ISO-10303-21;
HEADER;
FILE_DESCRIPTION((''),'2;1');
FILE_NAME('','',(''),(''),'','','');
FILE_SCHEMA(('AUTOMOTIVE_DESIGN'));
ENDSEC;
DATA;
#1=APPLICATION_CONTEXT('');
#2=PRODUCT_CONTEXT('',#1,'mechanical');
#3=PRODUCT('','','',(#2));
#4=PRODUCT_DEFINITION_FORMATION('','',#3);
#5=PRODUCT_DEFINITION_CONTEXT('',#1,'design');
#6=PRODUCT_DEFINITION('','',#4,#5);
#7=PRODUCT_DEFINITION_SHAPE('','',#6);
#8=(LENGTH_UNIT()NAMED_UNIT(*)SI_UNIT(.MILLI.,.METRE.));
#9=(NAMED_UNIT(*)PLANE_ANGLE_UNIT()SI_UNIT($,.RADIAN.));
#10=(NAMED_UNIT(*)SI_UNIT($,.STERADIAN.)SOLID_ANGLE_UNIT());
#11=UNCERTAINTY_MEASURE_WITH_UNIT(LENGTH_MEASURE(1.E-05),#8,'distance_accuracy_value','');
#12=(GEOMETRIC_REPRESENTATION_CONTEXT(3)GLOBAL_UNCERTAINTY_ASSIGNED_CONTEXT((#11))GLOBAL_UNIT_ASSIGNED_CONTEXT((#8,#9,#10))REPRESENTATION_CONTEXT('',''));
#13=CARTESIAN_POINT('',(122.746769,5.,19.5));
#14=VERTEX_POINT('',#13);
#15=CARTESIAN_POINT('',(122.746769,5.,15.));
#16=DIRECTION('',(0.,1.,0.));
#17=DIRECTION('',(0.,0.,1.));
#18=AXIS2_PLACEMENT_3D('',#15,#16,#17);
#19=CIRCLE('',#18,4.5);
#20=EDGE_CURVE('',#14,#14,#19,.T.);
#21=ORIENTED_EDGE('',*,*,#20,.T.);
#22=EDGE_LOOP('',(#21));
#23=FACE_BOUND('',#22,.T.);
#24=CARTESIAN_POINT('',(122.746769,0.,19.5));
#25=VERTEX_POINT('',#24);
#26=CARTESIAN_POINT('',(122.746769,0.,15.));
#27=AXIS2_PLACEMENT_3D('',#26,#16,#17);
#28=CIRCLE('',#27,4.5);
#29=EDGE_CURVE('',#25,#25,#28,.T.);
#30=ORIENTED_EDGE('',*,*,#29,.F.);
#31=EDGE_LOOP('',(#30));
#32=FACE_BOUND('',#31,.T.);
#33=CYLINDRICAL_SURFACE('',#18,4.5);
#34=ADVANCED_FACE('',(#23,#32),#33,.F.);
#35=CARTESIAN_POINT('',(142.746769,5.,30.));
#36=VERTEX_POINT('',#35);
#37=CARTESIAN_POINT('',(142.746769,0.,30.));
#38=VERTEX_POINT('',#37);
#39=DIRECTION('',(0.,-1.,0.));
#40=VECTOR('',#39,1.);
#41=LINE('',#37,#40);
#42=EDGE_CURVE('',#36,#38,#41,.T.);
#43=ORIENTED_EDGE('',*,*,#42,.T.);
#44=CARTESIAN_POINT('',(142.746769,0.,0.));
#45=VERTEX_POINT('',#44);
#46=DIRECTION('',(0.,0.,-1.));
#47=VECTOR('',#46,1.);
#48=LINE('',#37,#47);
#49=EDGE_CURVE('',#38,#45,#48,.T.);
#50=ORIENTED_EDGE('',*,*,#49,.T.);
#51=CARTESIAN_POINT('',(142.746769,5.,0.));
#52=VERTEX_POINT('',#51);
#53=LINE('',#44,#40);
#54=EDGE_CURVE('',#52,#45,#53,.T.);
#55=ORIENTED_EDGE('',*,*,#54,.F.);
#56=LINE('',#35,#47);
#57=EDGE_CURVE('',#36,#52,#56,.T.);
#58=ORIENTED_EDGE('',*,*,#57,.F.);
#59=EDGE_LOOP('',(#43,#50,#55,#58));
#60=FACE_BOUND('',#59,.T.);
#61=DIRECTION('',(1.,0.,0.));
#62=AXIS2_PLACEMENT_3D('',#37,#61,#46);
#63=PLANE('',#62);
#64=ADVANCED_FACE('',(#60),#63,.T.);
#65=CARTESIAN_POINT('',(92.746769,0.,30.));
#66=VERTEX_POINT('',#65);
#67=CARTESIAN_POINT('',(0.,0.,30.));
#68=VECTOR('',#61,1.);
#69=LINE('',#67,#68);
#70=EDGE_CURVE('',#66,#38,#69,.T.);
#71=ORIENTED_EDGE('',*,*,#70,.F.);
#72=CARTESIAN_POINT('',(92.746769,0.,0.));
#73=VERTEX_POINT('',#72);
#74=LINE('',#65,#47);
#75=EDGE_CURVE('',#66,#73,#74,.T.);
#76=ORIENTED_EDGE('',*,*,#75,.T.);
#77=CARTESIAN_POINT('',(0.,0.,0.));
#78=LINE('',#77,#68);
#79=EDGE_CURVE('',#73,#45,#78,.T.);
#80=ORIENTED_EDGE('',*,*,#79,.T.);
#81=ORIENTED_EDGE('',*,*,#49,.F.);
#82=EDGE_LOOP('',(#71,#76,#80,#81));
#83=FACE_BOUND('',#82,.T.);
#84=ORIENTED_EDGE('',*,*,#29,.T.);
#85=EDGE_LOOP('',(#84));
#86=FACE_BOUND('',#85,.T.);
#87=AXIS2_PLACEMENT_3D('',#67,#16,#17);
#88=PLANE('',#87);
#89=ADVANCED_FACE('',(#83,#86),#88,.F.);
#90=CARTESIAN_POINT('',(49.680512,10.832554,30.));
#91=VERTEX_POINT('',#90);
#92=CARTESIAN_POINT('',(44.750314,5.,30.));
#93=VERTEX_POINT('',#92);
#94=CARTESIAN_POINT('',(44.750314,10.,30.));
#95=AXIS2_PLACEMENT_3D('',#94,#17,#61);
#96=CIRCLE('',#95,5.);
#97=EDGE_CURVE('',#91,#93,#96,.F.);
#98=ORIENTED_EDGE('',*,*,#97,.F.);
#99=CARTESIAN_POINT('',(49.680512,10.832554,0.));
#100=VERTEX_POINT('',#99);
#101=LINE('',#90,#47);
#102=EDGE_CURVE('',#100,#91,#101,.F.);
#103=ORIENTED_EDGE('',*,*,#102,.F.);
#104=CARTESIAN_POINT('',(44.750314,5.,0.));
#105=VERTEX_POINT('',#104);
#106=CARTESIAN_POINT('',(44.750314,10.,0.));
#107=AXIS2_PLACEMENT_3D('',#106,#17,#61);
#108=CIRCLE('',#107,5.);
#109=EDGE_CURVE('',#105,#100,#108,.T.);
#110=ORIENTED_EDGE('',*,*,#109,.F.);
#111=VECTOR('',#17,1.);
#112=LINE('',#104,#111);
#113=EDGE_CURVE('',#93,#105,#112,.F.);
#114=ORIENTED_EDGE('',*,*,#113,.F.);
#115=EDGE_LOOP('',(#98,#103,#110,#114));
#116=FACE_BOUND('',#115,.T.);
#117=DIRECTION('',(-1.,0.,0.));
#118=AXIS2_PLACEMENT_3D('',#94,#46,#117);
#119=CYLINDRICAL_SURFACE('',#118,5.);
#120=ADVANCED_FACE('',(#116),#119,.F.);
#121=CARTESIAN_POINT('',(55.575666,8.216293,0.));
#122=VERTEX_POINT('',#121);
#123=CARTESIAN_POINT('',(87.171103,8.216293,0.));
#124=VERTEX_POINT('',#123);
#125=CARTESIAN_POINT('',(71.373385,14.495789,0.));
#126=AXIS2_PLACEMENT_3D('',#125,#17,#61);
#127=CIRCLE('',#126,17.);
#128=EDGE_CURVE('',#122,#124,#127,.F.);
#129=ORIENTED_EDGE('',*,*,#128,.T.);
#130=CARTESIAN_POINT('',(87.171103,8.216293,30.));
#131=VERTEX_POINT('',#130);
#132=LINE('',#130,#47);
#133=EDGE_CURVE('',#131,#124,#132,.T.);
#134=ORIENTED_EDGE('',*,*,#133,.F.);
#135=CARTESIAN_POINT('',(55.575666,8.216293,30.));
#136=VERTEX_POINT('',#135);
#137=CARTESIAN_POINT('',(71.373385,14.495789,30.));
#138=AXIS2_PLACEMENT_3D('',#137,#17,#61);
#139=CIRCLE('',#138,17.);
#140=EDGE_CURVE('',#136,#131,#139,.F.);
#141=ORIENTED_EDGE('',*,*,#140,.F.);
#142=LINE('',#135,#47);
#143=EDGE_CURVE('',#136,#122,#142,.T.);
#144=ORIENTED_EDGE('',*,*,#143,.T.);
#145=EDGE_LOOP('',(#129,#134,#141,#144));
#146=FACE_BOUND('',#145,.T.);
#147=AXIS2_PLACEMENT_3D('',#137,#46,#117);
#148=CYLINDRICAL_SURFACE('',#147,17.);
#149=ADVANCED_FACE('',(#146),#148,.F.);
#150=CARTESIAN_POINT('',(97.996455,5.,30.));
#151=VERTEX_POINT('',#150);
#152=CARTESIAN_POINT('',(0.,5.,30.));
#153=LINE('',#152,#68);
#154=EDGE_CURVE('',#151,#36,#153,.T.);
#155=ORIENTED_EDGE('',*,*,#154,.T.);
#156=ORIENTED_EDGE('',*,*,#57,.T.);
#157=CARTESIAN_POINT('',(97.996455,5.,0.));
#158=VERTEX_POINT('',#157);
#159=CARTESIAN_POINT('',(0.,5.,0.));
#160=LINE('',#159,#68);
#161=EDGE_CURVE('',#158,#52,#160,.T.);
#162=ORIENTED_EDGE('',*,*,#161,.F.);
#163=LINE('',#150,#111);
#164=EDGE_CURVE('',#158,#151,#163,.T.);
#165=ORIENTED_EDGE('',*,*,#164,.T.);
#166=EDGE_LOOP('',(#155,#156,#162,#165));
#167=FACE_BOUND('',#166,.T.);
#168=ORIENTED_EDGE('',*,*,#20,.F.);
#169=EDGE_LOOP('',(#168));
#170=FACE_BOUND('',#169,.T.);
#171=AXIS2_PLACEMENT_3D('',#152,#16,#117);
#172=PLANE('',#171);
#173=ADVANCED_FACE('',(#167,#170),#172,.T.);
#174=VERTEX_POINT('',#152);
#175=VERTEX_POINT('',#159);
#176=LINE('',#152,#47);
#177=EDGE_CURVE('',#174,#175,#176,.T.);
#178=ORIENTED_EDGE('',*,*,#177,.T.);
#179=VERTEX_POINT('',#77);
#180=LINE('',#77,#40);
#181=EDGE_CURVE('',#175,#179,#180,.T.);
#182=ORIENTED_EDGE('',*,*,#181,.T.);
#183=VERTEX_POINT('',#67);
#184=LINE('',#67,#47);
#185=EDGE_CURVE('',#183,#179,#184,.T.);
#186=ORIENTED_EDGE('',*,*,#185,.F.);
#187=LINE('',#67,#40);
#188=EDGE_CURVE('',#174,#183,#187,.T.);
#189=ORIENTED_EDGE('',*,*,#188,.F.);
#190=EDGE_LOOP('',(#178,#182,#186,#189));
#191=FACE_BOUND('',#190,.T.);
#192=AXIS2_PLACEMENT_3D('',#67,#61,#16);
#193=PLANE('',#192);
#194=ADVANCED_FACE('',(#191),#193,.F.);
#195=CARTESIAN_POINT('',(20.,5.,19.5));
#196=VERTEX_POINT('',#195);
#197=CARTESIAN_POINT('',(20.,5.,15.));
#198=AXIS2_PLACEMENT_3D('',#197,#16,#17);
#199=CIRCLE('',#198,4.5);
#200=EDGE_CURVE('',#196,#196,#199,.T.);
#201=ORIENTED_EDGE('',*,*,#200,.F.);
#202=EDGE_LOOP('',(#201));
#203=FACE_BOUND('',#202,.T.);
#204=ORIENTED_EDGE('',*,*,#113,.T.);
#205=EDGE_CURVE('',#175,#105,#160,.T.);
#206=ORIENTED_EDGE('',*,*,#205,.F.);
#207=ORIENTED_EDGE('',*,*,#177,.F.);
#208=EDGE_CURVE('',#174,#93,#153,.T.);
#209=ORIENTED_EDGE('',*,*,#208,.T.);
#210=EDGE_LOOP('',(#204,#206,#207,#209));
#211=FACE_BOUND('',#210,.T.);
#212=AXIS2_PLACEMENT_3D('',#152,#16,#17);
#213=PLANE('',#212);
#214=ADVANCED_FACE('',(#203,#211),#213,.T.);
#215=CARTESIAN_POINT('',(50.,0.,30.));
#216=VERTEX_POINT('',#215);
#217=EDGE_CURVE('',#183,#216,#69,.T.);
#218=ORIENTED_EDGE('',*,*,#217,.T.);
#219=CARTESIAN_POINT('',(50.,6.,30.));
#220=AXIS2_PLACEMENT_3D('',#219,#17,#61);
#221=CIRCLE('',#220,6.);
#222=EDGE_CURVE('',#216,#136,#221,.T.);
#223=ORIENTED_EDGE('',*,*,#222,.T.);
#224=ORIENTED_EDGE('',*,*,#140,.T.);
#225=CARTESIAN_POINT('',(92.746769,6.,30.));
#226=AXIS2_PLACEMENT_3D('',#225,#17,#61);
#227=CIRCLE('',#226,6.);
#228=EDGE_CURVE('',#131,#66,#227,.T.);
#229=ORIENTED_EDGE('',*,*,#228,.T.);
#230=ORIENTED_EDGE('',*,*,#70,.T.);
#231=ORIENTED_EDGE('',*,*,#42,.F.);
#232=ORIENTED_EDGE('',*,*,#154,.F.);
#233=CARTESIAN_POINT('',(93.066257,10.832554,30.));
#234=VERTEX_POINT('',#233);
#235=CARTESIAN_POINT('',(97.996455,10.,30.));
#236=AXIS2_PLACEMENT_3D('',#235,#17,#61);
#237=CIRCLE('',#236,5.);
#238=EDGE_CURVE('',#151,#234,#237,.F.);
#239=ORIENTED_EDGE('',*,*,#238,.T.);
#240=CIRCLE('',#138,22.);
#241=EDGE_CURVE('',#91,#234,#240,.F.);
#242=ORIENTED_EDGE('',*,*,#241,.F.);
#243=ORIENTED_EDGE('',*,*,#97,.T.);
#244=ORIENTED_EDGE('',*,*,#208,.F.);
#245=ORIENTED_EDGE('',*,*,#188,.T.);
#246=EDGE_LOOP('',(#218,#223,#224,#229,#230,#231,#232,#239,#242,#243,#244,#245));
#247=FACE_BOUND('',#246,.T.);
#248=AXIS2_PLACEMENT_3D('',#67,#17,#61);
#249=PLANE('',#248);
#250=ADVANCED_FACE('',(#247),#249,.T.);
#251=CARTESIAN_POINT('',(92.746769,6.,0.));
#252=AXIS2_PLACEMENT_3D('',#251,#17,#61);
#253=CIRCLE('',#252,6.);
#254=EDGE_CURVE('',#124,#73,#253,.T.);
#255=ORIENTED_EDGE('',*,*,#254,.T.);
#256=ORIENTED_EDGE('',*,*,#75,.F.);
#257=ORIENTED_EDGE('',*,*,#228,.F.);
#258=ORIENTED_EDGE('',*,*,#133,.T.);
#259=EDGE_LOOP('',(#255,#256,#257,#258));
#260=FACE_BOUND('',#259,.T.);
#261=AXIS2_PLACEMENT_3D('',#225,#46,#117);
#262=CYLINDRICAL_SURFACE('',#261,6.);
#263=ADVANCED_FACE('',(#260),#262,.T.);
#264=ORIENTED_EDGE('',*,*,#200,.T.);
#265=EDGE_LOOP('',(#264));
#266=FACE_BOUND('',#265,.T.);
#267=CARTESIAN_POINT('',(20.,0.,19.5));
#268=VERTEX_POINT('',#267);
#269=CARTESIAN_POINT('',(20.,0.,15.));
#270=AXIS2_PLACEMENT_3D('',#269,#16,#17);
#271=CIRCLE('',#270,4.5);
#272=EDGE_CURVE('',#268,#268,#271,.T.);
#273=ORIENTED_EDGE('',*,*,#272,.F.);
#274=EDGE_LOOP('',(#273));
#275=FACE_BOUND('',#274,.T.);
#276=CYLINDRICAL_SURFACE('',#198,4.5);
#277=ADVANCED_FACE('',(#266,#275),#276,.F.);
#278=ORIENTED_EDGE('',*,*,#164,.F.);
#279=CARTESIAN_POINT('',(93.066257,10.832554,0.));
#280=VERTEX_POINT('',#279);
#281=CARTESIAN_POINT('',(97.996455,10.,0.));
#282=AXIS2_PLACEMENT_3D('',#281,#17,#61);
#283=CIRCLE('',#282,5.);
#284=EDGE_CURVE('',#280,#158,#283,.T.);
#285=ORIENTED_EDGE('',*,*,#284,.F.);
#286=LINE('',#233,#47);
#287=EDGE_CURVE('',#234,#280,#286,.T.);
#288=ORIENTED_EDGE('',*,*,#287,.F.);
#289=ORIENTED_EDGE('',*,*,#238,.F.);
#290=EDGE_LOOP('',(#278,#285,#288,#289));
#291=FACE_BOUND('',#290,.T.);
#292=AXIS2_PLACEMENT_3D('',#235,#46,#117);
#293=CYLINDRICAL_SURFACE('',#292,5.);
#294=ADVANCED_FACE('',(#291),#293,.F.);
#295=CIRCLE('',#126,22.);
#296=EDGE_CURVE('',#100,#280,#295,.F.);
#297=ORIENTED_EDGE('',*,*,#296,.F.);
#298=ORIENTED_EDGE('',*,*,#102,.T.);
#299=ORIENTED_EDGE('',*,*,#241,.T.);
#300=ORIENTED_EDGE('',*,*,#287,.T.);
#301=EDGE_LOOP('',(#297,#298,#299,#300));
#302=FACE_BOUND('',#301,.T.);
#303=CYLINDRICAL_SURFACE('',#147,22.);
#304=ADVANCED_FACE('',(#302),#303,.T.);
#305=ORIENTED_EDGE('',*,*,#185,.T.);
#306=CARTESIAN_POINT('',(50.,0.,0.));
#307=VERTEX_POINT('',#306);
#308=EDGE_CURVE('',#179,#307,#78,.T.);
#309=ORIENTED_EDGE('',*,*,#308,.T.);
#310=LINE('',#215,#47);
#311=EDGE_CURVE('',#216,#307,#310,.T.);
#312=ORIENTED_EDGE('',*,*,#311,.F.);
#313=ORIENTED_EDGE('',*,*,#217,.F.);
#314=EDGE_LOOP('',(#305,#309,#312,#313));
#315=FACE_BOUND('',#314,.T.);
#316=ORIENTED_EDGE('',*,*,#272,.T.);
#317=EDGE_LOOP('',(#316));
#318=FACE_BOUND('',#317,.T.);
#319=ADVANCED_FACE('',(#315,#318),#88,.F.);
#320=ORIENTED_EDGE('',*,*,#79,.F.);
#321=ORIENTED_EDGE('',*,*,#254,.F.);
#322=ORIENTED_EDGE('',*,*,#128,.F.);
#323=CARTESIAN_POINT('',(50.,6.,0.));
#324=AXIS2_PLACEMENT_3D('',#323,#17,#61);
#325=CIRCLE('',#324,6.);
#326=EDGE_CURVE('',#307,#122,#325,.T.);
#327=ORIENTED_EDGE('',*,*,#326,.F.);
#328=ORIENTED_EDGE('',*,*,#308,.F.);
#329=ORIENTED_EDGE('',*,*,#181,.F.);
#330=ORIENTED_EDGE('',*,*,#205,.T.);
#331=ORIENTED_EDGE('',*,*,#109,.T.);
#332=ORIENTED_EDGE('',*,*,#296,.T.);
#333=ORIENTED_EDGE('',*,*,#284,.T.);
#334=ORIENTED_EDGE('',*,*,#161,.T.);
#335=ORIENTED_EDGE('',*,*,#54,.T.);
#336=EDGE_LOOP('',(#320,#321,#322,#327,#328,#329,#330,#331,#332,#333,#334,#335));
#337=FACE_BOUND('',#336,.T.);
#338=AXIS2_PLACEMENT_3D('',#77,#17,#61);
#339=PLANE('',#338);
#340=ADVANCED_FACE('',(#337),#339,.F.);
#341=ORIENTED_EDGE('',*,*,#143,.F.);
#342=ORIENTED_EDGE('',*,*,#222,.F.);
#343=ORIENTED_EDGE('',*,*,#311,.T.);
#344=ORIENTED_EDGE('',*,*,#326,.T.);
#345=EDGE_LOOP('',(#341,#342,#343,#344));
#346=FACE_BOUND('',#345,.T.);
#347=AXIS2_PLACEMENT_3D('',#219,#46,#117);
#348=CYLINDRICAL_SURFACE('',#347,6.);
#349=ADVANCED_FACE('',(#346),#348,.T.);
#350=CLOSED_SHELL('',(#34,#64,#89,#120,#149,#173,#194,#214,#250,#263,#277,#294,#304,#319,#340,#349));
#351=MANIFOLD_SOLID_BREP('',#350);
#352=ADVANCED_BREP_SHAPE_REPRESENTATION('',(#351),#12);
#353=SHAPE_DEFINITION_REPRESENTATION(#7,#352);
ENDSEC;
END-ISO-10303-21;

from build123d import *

# Parameters (mm, degrees)
BOSS_EXTRUDE1_DEPTH  = 30
FILLET3_R            = 5
M8_CLEARANCE_HOLE2_D = 9


with BuildPart() as part:
    # Sketch1 → Boss-Extrude1 (new body)
    with BuildSketch(Plane.XY):
        with BuildLine():
            Line((0, 5), (0, 0))
            Line((0, 0), (50, 0))
            ThreePointArc((50, 0), (54.964763693, 2.630857457), (55.575665525, 8.216292841))
            ThreePointArc((55.575665525, 8.216292841), (71.373384511, 31.495789225), (87.171103497, 8.216292841))
            ThreePointArc((87.171103497, 8.216292841), (87.782005329, 2.630857457), (92.746769021, 0))
            Line((92.746769021, 0), (142.746769021, 0))
            Line((142.746769021, 0), (142.746769021, 5))
            Line((142.746769021, 5), (91.218534724, 5))
            ThreePointArc((91.218534724, 5), (71.373384511, 36.495789225), (51.528234297, 5))
            Line((51.528234297, 5), (5, 5))
            Line((5, 5), (0, 5))
        make_face()
    extrude(amount=BOSS_EXTRUDE1_DEPTH)

    # Fillet3
    fillet3_edges = [part.edges().sort_by_distance(p)[0] for p in [
        (51.528234297, 5, 15),
        (91.218534724, 5, 15),
    ]]
    fillet(fillet3_edges, radius=FILLET3_R)

    # M8 Clearance Hole2 (through all)
    with Locations(Plane(origin=(0, 5, 0), x_dir=(1, 0, 0), z_dir=(0, 1, 0))):
        with Locations((20, -15), (122.746769021, -15)):
            Hole(M8_CLEARANCE_HOLE2_D / 2)


solid = part.part
